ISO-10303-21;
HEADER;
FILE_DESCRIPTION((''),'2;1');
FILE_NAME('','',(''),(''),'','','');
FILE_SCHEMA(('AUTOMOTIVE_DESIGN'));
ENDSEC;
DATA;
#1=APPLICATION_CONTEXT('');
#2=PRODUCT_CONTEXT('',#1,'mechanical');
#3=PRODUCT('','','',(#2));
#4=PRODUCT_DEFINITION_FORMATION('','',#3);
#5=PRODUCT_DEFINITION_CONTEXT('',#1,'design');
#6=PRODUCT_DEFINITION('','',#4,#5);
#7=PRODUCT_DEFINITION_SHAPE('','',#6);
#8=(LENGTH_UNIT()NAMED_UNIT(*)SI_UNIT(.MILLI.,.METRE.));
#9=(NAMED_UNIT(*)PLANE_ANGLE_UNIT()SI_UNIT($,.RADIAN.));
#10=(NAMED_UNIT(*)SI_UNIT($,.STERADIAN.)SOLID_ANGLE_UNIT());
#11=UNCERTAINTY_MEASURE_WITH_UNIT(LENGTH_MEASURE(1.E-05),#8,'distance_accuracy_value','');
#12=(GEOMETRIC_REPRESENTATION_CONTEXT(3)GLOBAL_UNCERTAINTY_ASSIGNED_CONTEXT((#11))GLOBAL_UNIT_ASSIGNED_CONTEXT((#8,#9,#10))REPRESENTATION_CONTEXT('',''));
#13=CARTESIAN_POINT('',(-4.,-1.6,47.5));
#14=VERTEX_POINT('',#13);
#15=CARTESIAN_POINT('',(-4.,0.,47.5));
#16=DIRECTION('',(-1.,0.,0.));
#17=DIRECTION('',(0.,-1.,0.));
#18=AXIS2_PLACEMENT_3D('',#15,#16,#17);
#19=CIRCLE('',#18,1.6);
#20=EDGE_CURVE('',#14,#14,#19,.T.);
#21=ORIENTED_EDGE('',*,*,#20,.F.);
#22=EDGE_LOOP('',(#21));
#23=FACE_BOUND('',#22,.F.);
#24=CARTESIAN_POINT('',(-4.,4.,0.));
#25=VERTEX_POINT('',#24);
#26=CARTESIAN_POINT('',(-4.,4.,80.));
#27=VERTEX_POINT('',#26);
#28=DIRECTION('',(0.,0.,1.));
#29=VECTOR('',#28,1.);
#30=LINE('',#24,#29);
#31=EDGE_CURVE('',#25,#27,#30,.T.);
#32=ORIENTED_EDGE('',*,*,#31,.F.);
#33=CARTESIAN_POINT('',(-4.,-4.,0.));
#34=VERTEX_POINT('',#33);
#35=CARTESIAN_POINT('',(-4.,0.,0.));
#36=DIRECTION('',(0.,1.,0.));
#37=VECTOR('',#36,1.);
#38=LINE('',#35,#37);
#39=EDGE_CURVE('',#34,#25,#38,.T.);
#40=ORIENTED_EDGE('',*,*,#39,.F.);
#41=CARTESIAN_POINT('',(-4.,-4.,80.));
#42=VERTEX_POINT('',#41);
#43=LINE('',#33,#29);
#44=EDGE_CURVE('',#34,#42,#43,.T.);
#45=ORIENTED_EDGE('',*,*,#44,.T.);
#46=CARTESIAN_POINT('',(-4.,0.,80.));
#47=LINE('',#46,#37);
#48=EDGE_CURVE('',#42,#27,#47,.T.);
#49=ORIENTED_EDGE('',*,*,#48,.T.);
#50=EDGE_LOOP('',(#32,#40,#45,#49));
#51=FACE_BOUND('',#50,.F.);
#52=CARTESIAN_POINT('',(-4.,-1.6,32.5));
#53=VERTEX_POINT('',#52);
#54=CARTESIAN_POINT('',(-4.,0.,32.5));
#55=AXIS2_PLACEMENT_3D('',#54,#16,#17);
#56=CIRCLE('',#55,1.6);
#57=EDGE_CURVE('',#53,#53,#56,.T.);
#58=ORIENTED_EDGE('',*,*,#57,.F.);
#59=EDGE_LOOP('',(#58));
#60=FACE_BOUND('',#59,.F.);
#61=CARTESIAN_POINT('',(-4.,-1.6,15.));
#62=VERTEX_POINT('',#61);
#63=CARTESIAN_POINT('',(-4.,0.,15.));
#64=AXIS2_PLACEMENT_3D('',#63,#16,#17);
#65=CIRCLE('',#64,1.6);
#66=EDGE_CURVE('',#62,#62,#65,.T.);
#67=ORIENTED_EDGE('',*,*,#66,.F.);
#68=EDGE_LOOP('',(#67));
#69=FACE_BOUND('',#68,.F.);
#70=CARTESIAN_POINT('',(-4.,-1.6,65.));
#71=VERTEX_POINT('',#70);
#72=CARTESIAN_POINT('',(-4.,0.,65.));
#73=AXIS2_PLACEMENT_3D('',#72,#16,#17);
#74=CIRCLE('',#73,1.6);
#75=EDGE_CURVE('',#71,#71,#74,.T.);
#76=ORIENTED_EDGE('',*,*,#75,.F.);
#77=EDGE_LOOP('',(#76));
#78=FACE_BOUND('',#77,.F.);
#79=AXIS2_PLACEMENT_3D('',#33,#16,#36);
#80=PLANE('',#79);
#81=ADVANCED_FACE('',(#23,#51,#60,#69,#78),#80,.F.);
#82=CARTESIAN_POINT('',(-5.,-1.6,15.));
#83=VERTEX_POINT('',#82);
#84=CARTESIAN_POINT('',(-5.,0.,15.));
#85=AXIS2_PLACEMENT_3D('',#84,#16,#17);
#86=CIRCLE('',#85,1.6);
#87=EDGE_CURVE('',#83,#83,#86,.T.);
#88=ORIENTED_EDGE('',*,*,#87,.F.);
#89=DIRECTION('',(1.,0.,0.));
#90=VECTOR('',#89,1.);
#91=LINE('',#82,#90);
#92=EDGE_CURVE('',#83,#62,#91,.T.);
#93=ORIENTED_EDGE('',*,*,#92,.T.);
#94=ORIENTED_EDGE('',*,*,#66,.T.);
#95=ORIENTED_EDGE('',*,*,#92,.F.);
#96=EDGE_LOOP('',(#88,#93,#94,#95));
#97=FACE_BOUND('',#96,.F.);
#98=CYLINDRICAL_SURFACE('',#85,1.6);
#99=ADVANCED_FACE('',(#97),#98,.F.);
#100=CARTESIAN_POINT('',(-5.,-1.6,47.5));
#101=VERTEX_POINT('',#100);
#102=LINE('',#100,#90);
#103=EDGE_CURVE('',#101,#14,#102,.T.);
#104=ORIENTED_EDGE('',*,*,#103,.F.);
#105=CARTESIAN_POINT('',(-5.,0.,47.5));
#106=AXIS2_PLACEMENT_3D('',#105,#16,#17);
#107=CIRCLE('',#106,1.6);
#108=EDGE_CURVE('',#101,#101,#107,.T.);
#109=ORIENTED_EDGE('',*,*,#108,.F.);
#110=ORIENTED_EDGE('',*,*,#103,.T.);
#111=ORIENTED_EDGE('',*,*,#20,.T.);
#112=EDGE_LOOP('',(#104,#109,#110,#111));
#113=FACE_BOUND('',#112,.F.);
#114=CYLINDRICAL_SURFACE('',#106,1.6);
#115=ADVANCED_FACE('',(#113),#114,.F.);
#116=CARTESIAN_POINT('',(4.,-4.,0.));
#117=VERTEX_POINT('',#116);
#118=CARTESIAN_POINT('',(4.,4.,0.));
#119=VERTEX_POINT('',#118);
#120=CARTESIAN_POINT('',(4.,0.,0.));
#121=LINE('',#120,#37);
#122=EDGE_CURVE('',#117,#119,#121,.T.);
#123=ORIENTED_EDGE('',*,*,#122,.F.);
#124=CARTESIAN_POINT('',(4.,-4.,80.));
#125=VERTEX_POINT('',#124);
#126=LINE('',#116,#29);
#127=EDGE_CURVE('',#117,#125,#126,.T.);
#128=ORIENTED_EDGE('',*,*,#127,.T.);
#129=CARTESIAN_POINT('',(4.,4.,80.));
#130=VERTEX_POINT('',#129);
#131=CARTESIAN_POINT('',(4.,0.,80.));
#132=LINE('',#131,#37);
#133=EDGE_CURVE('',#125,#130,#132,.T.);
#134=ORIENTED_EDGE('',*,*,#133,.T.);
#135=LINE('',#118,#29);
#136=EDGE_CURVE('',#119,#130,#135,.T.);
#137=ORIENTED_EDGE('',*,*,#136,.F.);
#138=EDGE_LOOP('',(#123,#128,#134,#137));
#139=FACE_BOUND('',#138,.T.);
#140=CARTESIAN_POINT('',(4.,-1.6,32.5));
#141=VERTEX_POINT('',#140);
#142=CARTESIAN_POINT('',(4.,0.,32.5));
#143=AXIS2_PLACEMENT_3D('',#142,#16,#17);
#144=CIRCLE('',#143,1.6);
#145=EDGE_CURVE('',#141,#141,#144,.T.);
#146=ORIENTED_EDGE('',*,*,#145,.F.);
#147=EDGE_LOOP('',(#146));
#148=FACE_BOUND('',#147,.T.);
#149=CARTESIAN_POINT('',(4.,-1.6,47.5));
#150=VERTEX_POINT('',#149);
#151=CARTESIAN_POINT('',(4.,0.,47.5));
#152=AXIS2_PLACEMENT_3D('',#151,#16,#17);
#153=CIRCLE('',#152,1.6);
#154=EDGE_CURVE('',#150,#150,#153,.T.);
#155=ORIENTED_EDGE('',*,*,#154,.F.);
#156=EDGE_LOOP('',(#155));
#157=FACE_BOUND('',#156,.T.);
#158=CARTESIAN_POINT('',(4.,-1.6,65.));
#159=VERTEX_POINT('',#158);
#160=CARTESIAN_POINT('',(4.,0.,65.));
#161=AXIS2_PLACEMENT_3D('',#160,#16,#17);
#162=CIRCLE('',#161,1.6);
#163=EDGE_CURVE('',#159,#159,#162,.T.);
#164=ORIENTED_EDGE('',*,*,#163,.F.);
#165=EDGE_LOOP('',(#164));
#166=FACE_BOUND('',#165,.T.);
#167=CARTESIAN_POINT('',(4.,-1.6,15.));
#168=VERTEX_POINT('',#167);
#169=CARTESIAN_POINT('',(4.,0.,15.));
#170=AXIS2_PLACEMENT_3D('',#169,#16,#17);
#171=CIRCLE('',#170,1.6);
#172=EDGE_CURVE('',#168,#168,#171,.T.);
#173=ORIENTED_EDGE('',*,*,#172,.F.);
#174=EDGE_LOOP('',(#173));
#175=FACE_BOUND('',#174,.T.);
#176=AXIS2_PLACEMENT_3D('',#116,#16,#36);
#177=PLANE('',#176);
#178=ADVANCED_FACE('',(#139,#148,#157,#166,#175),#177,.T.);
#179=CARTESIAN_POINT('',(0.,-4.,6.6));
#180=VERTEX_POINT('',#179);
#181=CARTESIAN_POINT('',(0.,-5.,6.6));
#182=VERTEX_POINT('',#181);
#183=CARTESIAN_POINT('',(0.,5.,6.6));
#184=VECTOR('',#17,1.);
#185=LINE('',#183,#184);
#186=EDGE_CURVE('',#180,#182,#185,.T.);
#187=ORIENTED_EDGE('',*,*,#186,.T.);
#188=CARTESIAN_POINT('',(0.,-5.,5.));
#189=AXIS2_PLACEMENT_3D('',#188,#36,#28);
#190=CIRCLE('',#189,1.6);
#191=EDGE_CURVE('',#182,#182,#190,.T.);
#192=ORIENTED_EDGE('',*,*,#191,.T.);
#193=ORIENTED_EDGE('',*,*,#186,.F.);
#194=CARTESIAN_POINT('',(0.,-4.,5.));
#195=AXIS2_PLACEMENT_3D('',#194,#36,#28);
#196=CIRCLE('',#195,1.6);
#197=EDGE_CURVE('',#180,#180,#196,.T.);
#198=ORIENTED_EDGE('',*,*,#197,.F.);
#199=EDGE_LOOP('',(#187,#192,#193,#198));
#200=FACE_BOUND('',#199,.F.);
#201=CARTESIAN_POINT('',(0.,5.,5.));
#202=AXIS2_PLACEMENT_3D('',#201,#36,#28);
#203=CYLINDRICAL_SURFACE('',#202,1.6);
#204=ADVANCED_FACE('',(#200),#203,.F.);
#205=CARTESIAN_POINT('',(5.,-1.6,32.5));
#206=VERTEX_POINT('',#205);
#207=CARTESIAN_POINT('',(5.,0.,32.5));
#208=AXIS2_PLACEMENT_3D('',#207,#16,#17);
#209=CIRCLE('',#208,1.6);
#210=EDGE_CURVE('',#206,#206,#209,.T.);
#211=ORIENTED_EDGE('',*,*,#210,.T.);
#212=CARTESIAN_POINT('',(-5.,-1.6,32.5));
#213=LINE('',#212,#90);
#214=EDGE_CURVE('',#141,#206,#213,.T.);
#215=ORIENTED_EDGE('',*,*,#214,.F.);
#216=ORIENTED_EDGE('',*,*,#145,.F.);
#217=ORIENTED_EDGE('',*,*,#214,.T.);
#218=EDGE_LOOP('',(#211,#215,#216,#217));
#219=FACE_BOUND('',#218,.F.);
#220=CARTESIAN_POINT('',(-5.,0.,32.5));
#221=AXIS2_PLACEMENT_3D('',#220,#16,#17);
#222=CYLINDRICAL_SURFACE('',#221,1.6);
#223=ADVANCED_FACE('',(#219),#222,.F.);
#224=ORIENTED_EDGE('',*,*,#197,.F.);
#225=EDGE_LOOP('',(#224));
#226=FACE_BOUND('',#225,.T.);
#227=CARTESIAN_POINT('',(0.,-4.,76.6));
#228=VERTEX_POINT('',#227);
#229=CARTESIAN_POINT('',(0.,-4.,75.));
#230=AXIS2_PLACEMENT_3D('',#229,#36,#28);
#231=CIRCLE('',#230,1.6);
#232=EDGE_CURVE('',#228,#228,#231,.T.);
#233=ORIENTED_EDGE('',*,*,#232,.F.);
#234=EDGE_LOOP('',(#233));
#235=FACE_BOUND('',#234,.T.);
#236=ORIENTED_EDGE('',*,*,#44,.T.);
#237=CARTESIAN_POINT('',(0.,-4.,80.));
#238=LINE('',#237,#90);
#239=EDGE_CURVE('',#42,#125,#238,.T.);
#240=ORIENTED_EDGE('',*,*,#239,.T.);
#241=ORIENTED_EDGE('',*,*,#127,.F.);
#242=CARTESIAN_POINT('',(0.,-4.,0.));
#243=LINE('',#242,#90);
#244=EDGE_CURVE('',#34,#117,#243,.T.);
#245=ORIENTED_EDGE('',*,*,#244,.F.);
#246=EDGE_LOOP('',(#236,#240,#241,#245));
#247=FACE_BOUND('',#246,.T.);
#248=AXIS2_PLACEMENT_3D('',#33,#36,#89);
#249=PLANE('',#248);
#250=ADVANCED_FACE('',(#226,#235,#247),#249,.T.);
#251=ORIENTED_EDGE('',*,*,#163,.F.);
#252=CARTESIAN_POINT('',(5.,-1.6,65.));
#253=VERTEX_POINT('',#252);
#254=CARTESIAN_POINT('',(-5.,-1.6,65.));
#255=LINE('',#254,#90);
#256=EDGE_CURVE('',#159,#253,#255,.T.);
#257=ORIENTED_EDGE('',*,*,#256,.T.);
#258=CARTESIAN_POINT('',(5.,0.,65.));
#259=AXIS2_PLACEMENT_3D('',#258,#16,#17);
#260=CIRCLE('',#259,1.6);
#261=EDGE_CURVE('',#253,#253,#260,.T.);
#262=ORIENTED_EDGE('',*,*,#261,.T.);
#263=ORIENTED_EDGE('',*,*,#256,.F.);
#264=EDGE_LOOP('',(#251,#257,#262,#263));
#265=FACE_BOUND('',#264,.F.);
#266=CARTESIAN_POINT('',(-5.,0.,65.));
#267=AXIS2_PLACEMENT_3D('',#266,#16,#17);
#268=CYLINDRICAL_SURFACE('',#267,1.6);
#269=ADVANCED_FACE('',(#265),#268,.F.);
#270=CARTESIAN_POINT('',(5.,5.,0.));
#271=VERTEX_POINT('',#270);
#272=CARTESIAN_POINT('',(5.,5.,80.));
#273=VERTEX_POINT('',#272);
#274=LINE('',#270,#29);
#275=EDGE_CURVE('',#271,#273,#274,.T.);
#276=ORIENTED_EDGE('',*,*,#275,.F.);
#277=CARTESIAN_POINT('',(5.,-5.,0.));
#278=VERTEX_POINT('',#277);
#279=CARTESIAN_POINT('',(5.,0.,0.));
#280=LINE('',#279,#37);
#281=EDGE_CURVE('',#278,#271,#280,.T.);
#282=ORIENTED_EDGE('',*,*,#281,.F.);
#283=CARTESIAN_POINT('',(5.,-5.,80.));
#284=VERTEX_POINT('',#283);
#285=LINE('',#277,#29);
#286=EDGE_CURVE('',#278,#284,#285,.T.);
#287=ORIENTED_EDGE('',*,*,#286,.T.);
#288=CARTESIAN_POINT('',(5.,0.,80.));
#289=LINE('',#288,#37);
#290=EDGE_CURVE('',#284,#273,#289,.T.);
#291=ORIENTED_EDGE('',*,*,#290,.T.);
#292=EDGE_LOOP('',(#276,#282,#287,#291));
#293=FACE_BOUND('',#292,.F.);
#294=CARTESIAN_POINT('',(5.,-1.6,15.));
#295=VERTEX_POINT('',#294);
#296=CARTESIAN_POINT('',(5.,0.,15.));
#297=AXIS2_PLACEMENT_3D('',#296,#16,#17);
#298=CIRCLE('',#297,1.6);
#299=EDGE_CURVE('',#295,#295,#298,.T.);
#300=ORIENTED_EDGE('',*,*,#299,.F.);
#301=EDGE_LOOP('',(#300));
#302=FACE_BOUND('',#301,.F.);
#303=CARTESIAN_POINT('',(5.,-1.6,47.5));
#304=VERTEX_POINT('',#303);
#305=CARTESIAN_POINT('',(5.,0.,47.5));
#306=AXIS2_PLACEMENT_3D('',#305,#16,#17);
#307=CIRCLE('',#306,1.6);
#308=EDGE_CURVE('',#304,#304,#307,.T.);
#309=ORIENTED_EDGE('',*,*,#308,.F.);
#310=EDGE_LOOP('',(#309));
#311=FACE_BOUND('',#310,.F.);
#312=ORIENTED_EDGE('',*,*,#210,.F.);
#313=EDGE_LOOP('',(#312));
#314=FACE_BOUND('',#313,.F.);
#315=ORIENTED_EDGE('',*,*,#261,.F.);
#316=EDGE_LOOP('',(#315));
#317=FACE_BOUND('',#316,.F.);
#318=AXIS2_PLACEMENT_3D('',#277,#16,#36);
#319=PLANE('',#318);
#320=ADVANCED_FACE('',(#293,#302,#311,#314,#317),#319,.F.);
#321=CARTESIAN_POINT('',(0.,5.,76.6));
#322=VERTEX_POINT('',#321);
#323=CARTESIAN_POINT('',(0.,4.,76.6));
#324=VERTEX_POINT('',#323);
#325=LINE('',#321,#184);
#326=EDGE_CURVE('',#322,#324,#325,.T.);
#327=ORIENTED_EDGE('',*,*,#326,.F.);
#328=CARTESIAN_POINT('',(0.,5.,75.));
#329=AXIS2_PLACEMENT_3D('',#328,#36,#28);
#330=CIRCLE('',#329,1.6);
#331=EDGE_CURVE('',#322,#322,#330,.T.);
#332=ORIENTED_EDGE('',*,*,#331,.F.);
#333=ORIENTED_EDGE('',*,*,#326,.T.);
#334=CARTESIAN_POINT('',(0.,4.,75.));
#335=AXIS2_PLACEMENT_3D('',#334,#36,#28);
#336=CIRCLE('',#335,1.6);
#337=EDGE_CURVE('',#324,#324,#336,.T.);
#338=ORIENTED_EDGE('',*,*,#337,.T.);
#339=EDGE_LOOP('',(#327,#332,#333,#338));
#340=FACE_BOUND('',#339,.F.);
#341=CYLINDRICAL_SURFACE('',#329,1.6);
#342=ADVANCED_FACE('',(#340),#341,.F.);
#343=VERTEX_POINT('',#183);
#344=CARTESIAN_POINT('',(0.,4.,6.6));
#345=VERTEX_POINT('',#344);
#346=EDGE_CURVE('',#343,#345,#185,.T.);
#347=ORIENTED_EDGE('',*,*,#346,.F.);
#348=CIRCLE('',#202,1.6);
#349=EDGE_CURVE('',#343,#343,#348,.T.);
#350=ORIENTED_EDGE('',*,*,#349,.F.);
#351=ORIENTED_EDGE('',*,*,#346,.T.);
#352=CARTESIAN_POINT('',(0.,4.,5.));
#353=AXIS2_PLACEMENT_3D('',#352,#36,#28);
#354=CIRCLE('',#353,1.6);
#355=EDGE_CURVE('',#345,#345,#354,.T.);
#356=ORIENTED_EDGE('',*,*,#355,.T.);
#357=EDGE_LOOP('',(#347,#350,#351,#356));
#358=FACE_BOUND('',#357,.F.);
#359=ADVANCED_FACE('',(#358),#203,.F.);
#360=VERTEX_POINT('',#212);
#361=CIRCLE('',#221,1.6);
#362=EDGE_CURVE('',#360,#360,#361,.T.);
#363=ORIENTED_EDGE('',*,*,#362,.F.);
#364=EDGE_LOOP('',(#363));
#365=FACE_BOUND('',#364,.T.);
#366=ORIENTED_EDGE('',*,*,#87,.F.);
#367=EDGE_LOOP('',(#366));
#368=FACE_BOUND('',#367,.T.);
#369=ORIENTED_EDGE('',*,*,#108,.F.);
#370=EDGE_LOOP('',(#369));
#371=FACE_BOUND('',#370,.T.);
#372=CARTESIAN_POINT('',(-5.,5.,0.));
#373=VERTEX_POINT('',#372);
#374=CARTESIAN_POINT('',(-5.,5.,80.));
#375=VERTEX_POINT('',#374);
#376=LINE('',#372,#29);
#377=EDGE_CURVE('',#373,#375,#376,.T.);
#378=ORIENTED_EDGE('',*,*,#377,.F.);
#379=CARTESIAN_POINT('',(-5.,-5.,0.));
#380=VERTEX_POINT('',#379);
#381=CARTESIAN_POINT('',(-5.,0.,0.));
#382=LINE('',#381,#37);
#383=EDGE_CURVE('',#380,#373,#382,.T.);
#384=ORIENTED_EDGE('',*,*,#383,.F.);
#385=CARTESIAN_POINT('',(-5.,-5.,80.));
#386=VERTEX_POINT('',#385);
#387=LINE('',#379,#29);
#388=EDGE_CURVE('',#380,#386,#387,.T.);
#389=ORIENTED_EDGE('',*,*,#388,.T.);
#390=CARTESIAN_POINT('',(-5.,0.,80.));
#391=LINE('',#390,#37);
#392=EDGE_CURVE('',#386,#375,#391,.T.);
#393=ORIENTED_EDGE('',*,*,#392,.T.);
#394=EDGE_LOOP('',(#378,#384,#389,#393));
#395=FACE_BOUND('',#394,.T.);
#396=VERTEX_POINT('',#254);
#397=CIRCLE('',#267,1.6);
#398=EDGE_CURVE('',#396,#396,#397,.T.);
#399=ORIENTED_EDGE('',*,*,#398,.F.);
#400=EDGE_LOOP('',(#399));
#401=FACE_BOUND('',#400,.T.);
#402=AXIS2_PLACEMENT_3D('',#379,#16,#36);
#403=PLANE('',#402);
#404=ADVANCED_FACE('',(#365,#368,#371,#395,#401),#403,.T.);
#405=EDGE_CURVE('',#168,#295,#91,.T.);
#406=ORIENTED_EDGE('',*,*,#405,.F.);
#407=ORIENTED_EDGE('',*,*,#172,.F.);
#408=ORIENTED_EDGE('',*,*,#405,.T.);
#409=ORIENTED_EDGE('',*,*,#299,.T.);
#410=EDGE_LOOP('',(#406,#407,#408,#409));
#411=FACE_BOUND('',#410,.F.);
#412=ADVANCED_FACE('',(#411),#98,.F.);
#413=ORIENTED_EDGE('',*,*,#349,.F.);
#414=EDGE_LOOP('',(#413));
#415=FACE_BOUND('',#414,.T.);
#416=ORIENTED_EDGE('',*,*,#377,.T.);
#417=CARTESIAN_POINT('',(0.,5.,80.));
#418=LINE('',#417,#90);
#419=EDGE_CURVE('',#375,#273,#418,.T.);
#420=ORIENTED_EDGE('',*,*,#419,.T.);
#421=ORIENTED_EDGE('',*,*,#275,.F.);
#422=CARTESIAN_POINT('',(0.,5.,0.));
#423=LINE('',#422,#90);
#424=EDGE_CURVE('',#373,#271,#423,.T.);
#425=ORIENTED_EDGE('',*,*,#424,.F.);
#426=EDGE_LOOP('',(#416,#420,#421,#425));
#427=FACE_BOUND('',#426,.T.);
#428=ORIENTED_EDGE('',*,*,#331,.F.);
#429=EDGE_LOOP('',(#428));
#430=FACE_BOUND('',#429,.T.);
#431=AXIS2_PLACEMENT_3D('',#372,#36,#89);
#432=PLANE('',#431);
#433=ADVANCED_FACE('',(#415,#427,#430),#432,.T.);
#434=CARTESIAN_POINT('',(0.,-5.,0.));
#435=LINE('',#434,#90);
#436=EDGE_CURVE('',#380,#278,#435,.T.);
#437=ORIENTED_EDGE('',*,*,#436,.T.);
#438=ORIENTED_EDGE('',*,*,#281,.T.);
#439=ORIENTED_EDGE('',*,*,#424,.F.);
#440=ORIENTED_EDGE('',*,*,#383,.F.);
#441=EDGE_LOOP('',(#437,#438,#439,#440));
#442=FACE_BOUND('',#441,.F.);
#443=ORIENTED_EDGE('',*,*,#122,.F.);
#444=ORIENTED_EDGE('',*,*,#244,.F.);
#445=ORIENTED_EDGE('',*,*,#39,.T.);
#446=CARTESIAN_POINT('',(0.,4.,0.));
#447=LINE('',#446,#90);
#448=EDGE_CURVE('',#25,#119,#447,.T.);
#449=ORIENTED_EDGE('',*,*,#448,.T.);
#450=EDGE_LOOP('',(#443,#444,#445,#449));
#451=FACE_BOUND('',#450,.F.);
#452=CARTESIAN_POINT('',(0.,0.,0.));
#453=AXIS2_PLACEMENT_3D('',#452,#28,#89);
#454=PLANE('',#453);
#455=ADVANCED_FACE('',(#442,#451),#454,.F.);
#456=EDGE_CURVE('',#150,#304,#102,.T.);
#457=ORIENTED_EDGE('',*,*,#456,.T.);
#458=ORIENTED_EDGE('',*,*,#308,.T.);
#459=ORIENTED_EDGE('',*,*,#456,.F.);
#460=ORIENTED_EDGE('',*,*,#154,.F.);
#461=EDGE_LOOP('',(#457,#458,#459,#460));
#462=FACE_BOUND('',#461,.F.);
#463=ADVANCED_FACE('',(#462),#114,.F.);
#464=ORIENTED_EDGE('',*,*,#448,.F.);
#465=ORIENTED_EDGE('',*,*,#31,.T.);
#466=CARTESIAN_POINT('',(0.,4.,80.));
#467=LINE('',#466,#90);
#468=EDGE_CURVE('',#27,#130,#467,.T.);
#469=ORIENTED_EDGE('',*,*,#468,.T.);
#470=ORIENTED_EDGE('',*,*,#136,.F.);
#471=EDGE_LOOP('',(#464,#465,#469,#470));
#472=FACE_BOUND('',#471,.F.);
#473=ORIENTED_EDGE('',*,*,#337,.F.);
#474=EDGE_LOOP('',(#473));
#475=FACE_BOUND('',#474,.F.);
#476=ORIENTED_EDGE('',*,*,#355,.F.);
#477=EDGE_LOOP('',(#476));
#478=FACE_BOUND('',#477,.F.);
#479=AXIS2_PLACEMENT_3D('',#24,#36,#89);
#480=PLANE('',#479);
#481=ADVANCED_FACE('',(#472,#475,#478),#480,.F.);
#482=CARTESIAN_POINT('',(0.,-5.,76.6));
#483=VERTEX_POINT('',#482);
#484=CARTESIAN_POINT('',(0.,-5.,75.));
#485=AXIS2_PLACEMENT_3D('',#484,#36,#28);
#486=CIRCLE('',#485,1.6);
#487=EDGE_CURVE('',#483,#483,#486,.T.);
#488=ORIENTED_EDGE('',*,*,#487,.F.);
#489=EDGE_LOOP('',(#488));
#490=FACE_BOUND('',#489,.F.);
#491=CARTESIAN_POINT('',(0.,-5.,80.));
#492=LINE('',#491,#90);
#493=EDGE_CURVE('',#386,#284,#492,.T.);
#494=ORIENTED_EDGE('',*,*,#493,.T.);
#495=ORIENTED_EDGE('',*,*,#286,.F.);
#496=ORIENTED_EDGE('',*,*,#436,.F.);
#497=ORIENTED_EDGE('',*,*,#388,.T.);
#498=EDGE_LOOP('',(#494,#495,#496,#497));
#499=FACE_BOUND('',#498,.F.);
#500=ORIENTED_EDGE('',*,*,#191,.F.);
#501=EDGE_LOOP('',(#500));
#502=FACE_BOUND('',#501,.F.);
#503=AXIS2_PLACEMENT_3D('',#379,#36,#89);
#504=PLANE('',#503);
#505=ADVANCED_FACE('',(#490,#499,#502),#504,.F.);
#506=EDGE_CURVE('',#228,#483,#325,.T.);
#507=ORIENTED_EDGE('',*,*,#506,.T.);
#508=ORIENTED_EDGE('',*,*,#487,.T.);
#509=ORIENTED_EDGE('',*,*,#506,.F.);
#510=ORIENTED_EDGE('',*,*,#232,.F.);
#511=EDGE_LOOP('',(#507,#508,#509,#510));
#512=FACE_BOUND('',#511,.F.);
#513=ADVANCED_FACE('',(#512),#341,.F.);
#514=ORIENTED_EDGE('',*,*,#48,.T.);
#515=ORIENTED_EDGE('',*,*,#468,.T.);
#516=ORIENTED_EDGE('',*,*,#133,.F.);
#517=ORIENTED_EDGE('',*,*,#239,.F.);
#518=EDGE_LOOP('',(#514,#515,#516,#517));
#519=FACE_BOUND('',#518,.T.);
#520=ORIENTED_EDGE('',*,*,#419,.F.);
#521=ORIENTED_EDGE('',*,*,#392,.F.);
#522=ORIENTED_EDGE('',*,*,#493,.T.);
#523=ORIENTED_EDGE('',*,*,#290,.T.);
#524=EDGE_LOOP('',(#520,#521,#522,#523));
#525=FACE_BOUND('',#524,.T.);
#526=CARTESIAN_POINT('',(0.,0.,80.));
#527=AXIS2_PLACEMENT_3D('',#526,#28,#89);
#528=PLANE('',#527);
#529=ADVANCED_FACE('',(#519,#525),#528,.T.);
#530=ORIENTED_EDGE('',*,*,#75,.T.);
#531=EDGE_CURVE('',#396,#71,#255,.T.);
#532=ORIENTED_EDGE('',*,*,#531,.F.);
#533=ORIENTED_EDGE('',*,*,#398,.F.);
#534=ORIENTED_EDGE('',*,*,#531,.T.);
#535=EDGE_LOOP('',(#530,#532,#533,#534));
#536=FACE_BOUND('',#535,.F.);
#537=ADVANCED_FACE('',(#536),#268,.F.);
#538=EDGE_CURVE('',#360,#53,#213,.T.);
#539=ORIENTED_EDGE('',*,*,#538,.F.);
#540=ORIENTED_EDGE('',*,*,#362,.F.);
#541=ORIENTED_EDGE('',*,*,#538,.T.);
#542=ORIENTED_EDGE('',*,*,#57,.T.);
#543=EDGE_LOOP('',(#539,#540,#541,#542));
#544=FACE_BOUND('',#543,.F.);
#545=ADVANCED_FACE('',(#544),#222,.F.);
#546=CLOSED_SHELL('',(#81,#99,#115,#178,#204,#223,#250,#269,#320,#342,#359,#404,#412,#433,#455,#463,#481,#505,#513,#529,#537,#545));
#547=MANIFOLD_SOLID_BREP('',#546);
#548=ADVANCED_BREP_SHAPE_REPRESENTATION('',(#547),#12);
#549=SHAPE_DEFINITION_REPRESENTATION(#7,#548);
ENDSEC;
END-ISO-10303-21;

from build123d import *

# Parameters (mm, degrees)
SKETCH_1_W          = 10
SKETCH_1_H          = 10
SKETCH_1_W_2        = 8
SKETCH_1_H_2        = 8
EXTRUDE_1_DEPTH     = 80
SKETCH_2_R          = 1.6
CUT_EXTRUDE_1_DEPTH = 81.777472107
SKETCH_3_R          = 1.6
CUT_EXTRUDE_2_DEPTH = 81.777472107


with BuildPart() as part:
    # ｽｹｯﾁ1 → ﾎﾞｽ - 押し出し1 (new body)
    with BuildSketch(Plane.XY):
        Rectangle(SKETCH_1_W, SKETCH_1_H)
        Rectangle(SKETCH_1_W_2, SKETCH_1_H_2, mode=Mode.SUBTRACT)
    extrude(amount=EXTRUDE_1_DEPTH)

    # ｽｹｯﾁ2 → ｶｯﾄ - 押し出し1 (cut, through all)
    with BuildSketch(Plane.ZY.offset(5)):
        with Locations(Location((15, 0, 0), (0, 0, 270))):
            Circle(SKETCH_2_R)
        with Locations(Location((65, 0, 0), (0, 0, 270))):
            Circle(SKETCH_2_R)
        with Locations(Location((32.5, 0, 0), (0, 0, 270))):
            Circle(SKETCH_2_R)
        with Locations(Location((47.5, 0, 0), (0, 0, 270))):
            Circle(SKETCH_2_R)
    extrude(amount=-CUT_EXTRUDE_1_DEPTH, mode=Mode.SUBTRACT)

    # ｽｹｯﾁ3 → ｶｯﾄ - 押し出し2 (cut, through all)
    with BuildSketch(Plane(origin=(0, 5, 0), x_dir=(1, 0, 0), z_dir=(0, 1, 0))):
        with Locations(Location((0, -5, 0), (0, 0, 270))):
            Circle(SKETCH_3_R)
        with Locations(Location((0, -75, 0), (0, 0, 270))):
            Circle(SKETCH_3_R)
    extrude(amount=-CUT_EXTRUDE_2_DEPTH, mode=Mode.SUBTRACT)


solid = part.part
